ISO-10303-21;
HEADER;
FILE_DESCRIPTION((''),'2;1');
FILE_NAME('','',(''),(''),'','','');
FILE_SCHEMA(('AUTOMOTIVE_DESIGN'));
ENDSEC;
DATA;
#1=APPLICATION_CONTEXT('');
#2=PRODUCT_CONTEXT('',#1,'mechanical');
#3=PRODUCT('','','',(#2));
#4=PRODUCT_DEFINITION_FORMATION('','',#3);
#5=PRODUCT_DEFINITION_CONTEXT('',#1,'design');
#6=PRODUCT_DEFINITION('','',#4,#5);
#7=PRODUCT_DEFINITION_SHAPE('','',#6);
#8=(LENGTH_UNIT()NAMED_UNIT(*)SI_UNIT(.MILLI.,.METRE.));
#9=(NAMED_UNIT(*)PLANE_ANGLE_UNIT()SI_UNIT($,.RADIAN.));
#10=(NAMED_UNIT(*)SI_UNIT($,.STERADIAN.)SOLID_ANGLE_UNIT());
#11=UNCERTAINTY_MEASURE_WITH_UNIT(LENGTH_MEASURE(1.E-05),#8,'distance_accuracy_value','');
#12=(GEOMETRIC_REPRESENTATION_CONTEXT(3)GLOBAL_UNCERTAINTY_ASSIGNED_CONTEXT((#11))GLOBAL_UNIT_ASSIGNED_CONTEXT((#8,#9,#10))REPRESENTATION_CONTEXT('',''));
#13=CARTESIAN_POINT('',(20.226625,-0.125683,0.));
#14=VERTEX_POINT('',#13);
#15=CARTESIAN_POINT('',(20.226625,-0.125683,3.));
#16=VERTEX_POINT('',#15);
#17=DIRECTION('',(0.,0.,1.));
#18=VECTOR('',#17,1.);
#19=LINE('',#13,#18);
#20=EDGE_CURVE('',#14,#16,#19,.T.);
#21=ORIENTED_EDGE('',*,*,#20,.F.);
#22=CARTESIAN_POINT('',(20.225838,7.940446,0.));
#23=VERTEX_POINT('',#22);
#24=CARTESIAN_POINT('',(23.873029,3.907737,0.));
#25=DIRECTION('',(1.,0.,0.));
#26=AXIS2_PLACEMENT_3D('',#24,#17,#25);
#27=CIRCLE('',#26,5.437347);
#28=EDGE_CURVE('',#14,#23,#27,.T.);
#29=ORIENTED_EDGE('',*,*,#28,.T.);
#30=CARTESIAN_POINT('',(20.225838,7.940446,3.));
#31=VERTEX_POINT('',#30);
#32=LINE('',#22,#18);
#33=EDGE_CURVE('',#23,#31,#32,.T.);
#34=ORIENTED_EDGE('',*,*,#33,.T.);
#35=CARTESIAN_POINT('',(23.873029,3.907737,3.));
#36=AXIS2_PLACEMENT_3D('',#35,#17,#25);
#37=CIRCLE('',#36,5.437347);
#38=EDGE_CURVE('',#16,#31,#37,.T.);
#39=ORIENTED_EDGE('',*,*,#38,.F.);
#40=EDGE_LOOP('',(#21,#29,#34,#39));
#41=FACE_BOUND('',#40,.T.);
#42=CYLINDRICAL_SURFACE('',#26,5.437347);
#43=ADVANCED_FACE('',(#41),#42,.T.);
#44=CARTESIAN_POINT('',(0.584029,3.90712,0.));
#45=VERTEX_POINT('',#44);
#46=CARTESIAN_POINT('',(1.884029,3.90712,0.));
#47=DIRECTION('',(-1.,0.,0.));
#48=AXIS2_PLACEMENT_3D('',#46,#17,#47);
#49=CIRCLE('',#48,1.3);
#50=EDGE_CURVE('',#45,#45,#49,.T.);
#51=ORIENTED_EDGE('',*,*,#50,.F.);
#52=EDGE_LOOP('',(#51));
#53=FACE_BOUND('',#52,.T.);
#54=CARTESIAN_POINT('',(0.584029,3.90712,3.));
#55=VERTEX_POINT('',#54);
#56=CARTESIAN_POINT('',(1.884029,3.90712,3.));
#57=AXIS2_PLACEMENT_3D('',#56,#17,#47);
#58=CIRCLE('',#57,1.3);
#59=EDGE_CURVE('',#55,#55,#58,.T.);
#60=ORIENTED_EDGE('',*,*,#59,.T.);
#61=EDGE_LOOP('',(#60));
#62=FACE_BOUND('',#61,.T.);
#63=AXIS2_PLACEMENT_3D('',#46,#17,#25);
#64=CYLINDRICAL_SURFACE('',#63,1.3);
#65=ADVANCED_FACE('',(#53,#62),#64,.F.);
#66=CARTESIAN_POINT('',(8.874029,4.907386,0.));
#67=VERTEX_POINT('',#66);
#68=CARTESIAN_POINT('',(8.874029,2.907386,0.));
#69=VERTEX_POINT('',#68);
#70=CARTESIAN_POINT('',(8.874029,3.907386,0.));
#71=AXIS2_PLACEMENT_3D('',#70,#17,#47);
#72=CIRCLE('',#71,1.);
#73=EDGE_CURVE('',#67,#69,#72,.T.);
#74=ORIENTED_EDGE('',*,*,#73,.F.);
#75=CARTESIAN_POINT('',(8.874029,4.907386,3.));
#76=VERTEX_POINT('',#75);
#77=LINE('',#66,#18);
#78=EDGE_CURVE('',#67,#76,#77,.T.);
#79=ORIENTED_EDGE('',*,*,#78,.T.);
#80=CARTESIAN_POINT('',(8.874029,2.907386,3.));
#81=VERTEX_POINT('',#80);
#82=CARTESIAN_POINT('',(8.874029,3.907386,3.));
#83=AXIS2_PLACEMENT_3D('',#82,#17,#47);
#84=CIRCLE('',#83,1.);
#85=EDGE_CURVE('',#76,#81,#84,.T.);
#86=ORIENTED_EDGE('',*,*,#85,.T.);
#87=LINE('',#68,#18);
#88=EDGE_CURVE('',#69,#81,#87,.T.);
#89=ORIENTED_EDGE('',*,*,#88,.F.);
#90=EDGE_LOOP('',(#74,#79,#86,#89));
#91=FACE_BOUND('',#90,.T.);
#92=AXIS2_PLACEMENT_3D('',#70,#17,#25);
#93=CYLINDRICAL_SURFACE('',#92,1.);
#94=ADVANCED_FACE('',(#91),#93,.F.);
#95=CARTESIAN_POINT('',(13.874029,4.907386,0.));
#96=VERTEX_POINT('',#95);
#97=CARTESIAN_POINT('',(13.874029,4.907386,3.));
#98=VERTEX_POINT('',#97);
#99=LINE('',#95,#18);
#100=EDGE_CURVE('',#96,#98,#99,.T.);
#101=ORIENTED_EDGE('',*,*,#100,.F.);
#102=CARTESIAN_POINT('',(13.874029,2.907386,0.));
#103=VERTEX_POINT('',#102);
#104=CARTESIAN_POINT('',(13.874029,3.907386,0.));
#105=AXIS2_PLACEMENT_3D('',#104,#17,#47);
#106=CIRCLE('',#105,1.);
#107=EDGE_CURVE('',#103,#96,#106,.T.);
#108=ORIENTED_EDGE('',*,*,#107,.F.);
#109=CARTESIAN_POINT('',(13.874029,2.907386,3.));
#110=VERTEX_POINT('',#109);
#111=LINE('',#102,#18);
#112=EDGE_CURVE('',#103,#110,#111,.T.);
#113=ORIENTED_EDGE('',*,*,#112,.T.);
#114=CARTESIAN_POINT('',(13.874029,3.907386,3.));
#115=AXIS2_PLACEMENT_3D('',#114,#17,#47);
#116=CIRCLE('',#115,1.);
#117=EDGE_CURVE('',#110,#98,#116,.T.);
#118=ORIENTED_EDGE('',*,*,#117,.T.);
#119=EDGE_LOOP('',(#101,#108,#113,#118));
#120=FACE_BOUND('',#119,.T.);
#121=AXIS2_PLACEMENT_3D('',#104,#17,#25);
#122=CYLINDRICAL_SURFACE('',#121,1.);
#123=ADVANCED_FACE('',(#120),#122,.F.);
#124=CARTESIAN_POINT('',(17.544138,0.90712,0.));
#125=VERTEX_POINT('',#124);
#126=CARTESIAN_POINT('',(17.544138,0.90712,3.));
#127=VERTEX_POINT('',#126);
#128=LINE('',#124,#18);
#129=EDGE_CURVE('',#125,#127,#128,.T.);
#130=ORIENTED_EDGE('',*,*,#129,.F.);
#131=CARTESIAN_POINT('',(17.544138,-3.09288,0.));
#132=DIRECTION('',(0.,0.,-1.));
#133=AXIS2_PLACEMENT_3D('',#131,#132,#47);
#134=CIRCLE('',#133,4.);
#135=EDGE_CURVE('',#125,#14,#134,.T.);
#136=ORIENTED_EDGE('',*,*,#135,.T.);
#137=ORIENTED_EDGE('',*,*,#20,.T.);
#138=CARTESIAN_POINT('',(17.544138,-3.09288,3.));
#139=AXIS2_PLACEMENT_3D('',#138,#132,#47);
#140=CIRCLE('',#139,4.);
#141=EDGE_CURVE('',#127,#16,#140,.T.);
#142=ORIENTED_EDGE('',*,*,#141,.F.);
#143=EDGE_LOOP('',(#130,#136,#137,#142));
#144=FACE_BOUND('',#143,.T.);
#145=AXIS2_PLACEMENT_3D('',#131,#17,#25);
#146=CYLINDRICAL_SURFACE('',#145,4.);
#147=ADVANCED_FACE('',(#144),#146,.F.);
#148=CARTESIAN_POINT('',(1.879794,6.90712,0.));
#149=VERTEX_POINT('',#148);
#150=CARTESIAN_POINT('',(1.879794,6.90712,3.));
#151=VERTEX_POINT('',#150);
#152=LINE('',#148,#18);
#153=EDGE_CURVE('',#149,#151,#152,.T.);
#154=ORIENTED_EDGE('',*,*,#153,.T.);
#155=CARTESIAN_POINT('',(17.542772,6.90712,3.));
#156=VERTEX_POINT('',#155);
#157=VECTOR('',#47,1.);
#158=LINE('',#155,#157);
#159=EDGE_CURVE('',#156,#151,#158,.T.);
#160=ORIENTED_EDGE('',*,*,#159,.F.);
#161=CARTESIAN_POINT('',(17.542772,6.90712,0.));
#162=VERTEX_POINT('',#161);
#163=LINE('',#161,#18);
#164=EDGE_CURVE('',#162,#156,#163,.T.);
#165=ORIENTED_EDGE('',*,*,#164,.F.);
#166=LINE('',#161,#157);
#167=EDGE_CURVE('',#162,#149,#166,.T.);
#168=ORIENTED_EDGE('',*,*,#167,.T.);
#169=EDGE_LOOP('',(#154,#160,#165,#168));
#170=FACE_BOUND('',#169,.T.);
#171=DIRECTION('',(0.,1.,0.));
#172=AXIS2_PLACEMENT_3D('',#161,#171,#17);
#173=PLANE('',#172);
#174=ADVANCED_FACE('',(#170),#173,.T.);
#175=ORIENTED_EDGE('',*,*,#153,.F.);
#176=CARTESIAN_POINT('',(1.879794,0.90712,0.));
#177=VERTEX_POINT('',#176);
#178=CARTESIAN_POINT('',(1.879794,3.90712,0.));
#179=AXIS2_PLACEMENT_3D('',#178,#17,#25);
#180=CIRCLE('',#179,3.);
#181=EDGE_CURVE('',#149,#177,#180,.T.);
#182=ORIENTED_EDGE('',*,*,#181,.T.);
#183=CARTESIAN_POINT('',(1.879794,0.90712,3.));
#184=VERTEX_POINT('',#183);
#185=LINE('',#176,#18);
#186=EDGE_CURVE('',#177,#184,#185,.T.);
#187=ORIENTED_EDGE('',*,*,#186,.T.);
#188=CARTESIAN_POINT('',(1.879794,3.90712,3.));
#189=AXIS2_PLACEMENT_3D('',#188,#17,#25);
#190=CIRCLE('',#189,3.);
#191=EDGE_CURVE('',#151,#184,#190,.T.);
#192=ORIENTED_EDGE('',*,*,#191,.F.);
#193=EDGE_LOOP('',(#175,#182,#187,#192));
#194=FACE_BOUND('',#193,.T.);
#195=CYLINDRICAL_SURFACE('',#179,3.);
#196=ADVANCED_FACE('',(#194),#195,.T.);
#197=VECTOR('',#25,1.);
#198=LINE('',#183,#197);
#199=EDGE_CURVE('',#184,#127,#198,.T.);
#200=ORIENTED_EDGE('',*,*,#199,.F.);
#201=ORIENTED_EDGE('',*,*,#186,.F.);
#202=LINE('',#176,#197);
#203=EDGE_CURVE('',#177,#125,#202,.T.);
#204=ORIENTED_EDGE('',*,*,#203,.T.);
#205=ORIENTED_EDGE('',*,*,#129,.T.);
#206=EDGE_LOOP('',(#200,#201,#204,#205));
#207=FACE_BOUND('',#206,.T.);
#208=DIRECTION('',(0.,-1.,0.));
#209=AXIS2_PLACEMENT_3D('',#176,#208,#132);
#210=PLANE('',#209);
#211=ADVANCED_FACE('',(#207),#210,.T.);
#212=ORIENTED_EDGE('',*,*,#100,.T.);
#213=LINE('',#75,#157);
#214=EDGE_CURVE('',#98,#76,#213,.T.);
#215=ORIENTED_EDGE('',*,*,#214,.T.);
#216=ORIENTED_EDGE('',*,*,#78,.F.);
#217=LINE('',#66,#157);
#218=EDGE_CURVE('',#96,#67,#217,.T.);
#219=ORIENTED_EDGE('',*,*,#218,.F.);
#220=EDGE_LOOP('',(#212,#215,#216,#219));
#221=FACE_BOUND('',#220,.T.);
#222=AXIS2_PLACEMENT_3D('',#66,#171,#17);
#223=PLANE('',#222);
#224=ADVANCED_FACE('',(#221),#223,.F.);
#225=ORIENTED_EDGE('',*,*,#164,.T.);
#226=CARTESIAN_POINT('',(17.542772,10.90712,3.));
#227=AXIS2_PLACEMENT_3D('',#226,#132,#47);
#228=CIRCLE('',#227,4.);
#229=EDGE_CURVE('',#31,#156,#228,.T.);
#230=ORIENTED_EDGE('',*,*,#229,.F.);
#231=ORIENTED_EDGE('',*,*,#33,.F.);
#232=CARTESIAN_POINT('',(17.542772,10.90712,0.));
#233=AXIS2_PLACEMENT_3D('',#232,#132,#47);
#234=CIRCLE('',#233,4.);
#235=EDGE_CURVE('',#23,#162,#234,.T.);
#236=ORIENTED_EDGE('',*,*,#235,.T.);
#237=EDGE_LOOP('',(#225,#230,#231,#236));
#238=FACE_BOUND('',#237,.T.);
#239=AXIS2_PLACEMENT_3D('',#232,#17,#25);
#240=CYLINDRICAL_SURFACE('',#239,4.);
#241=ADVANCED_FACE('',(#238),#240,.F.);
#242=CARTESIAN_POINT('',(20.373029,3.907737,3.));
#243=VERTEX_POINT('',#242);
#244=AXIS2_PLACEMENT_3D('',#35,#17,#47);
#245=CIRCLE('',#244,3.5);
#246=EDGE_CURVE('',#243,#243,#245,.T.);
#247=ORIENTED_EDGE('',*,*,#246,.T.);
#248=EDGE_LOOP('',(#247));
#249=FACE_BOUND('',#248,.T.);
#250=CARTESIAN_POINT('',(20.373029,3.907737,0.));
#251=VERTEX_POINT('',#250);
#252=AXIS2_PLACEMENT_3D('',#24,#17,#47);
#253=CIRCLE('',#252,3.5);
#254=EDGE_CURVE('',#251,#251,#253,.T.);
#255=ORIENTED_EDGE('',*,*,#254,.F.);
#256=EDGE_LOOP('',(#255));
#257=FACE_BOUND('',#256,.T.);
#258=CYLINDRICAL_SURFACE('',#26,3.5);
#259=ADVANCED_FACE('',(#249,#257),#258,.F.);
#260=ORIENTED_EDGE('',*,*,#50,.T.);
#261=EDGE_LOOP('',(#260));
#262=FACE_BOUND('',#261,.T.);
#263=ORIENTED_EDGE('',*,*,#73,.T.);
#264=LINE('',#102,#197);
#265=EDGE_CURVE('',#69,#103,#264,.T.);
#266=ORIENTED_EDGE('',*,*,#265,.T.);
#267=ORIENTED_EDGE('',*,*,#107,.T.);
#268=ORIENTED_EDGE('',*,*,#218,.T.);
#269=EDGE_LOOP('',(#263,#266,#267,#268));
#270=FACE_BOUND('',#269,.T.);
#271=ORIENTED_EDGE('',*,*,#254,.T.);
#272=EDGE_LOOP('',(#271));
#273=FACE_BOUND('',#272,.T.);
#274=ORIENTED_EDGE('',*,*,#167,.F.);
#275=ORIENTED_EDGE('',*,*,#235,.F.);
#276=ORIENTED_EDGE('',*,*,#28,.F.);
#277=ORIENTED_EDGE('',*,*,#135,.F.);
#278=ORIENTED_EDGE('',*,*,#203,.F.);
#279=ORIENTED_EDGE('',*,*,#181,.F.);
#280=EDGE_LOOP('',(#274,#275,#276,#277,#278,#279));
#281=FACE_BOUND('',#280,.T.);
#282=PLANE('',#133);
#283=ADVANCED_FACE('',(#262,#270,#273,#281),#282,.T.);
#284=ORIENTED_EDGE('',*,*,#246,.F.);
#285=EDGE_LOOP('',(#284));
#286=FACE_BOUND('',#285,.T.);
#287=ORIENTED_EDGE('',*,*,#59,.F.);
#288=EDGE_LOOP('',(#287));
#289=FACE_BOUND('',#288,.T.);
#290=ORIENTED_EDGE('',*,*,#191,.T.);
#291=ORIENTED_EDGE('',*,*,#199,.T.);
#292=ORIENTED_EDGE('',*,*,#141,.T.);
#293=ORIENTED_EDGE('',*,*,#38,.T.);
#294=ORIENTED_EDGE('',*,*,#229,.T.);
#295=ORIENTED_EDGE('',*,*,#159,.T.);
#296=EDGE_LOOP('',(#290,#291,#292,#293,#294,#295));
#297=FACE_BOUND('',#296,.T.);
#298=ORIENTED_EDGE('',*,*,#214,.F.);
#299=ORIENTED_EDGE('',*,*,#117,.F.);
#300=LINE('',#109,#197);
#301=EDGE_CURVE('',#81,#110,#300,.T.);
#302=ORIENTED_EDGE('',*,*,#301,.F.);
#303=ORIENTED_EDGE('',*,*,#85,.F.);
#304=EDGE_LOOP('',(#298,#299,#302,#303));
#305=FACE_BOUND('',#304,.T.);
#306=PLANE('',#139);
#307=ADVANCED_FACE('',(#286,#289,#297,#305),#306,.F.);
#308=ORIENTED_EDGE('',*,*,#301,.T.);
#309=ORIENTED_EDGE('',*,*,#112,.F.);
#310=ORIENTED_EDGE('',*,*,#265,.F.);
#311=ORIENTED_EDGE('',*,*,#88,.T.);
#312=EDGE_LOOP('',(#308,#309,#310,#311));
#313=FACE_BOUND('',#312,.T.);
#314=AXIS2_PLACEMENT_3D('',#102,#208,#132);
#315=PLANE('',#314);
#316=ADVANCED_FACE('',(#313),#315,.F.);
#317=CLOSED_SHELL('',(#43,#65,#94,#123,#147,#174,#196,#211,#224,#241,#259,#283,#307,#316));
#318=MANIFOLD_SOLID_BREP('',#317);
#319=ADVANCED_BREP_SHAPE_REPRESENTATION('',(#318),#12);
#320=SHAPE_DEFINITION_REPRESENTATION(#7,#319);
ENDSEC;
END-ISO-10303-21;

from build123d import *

# Parameters (mm, degrees)
SKETCH_1_R      = 3.5
SKETCH_1_R_2    = 1.3
EXTRUDE_1_DEPTH = 3


with BuildPart() as part:
    # 草图1 → 凸台-拉伸1 (new body)
    with BuildSketch(Plane.XY.offset(3)):
        with BuildLine():
            Line((17.542771769, 6.907119873), (1.879793686, 6.907119873))
            ThreePointArc((1.879793686, 6.907119873), (-1.120206314, 3.907119873), (1.879793686, 0.907119873))
            Line((1.879793686, 0.907119873), (17.544137719, 0.907119873))
            ThreePointArc((17.544137719, 0.907119873), (18.981359081, 0.640000095), (20.226625317, -0.125682749))
            ThreePointArc((20.226625317, -0.125682749), (29.310375688, 3.908267946), (20.225838323, 7.940446))
            ThreePointArc((20.225838323, 7.940446), (18.980357333, 7.174379894), (17.542771769, 6.907119873))
        make_face()
        with Locations(Location((23.87302906, 3.907737435, 0), (0, 0, 180))):
            Circle(SKETCH_1_R, mode=Mode.SUBTRACT)
        with Locations(Location((1.88402906, 3.907119873, 0), (0, 0, 180))):
            Circle(SKETCH_1_R_2, mode=Mode.SUBTRACT)
        with BuildLine():
            Line((8.87402906, 4.907386497), (13.87402906, 4.907386497))
            ThreePointArc((13.87402906, 4.907386497), (14.87402906, 3.907386497), (13.87402906, 2.907386497))
            Line((13.87402906, 2.907386497), (8.87402906, 2.907386497))
            ThreePointArc((8.87402906, 2.907386497), (7.87402906, 3.907386497), (8.87402906, 4.907386497))
        make_face(mode=Mode.SUBTRACT)
    extrude(amount=-EXTRUDE_1_DEPTH)


solid = part.part
